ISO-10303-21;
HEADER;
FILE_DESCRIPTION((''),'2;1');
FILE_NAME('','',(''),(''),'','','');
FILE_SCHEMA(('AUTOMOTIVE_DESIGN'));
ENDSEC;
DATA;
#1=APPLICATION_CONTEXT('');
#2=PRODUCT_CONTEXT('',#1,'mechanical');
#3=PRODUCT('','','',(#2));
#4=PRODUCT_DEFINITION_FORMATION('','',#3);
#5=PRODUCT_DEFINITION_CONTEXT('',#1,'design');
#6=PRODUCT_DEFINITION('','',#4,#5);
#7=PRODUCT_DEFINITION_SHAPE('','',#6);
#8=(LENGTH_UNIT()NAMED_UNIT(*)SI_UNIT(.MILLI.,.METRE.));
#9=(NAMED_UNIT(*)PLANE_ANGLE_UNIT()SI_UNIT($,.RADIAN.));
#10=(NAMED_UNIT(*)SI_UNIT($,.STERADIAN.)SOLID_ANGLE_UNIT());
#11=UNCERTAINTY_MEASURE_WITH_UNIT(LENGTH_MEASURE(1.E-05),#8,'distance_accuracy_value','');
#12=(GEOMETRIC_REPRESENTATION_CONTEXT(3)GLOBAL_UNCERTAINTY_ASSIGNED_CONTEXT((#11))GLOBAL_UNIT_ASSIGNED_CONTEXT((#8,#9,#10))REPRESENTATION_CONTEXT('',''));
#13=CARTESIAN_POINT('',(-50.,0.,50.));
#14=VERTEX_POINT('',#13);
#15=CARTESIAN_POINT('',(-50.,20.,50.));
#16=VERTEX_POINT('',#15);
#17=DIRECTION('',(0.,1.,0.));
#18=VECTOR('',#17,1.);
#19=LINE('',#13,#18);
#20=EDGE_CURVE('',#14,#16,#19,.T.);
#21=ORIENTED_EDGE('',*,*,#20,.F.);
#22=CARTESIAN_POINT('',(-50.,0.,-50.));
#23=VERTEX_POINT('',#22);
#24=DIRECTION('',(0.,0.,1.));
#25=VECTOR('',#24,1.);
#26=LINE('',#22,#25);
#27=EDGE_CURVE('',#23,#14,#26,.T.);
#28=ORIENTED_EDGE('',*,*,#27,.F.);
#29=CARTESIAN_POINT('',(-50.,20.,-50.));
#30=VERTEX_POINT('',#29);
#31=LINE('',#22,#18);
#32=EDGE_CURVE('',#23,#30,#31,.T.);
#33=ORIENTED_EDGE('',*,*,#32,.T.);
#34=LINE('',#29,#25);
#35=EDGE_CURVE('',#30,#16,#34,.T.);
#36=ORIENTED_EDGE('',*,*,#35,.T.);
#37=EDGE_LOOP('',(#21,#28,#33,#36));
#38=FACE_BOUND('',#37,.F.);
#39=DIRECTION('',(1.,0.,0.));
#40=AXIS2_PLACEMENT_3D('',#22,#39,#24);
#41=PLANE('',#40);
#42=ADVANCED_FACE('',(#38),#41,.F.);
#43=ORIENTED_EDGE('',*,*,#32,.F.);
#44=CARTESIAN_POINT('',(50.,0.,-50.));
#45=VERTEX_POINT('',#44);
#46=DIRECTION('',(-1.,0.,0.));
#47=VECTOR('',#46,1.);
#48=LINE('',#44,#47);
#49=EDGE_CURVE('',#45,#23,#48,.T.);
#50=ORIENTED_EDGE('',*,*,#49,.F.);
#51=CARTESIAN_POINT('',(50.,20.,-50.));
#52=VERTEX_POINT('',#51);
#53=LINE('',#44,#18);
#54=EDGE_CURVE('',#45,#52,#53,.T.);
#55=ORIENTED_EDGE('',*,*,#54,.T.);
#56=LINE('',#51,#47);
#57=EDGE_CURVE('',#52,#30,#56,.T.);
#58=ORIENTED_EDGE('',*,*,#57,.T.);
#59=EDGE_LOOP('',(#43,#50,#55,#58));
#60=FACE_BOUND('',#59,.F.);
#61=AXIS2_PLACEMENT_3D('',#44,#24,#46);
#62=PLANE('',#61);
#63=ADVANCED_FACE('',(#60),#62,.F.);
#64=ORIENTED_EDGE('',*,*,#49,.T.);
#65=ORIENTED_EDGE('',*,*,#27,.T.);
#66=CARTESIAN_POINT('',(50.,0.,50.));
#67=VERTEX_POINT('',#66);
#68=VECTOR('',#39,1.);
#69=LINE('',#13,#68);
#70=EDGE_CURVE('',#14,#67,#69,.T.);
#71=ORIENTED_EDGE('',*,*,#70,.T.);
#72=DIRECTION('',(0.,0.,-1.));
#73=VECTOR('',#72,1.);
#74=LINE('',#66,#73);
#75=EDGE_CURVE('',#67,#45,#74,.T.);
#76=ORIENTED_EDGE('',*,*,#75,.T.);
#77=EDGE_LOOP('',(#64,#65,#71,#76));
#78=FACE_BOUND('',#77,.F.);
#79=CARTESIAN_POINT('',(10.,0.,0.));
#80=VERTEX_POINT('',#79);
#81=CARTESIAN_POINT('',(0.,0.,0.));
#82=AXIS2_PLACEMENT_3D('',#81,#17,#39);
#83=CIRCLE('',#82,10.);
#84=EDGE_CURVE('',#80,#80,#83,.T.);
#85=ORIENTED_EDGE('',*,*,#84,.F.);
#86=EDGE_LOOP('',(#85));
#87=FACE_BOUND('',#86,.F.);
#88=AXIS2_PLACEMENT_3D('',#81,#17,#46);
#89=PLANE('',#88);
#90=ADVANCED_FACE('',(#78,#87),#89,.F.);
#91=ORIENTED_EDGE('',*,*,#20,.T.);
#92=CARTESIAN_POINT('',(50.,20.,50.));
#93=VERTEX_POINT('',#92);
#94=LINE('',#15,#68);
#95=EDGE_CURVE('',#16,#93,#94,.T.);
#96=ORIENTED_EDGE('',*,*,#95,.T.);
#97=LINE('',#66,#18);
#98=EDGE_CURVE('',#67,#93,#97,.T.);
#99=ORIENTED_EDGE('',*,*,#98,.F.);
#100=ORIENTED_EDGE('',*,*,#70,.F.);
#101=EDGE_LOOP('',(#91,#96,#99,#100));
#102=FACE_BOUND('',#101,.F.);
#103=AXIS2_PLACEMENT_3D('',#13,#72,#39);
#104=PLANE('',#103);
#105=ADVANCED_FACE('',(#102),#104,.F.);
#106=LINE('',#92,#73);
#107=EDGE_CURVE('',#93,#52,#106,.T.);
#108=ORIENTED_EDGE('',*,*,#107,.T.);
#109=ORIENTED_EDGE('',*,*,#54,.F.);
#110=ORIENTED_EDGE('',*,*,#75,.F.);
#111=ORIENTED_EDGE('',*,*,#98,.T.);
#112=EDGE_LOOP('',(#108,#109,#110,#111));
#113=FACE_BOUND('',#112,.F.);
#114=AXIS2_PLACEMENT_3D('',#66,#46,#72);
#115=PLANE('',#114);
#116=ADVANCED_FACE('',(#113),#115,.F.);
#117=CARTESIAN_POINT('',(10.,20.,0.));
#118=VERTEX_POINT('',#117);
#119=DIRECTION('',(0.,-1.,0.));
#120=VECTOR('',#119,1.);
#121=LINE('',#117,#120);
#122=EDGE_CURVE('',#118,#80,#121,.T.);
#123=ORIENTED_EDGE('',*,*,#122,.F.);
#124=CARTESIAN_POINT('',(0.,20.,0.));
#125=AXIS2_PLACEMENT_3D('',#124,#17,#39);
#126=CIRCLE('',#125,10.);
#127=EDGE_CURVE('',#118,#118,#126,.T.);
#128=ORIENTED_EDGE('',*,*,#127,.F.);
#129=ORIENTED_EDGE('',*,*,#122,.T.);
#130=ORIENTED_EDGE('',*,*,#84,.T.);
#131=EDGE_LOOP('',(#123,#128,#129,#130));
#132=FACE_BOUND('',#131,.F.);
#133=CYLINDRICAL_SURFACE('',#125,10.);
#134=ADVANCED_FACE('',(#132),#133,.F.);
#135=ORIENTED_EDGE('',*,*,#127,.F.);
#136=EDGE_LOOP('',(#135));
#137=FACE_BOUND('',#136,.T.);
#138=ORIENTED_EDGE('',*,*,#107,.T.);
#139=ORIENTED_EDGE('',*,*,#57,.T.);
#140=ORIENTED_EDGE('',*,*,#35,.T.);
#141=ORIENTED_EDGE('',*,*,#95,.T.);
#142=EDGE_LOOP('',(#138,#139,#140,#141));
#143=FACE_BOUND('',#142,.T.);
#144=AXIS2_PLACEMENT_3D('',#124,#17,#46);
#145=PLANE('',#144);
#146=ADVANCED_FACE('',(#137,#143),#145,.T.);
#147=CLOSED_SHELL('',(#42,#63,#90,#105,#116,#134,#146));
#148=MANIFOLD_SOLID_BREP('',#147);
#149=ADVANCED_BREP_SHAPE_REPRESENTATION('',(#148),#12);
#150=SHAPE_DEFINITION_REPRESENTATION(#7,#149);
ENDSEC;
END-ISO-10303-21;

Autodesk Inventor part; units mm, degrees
ref_plane "YZ Plane" through (0, 0, 0) normal (1, 0, 0) x (0, 1, 0)
ref_plane "XZ Plane" through (0, 0, 0) normal (0, 1, 0) x (-1, 0, 0)
ref_plane "XY Plane" through (0, 0, 0) normal (0, 0, 1) x (1, 0, 0)
sketch "Sketch1" plane through (0, 0, 0) normal (0, 1, 0) x (-1, 0, 0)
  line L0 (50, 50) -> (-50, 50)
  line L1 (-50, 50) -> (-50, -50)
  line L2 (-50, -50) -> (50, -50)
  line L3 (50, -50) -> (50, 50)
  line L4 (50, 50) -> (-50, -50) construction
  line L5 (-50, 50) -> (50, -50) construction
  point P0 (0, 0)
  dimension "d0" = 100
  dimension "d1" = 100
extrude "Extrusion1" add sketch "Sketch1" along normal blind 20
sketch "Sketch2" plane through (0, 20, 0) normal (0, 1, 0) x (1, 0, 0)
  circle A0 centre (0, 0) radius 10
  dimension "d4" = 20
extrude "Extrusion2" cut sketch "Sketch2" against normal blind 20
properties part number "End"
